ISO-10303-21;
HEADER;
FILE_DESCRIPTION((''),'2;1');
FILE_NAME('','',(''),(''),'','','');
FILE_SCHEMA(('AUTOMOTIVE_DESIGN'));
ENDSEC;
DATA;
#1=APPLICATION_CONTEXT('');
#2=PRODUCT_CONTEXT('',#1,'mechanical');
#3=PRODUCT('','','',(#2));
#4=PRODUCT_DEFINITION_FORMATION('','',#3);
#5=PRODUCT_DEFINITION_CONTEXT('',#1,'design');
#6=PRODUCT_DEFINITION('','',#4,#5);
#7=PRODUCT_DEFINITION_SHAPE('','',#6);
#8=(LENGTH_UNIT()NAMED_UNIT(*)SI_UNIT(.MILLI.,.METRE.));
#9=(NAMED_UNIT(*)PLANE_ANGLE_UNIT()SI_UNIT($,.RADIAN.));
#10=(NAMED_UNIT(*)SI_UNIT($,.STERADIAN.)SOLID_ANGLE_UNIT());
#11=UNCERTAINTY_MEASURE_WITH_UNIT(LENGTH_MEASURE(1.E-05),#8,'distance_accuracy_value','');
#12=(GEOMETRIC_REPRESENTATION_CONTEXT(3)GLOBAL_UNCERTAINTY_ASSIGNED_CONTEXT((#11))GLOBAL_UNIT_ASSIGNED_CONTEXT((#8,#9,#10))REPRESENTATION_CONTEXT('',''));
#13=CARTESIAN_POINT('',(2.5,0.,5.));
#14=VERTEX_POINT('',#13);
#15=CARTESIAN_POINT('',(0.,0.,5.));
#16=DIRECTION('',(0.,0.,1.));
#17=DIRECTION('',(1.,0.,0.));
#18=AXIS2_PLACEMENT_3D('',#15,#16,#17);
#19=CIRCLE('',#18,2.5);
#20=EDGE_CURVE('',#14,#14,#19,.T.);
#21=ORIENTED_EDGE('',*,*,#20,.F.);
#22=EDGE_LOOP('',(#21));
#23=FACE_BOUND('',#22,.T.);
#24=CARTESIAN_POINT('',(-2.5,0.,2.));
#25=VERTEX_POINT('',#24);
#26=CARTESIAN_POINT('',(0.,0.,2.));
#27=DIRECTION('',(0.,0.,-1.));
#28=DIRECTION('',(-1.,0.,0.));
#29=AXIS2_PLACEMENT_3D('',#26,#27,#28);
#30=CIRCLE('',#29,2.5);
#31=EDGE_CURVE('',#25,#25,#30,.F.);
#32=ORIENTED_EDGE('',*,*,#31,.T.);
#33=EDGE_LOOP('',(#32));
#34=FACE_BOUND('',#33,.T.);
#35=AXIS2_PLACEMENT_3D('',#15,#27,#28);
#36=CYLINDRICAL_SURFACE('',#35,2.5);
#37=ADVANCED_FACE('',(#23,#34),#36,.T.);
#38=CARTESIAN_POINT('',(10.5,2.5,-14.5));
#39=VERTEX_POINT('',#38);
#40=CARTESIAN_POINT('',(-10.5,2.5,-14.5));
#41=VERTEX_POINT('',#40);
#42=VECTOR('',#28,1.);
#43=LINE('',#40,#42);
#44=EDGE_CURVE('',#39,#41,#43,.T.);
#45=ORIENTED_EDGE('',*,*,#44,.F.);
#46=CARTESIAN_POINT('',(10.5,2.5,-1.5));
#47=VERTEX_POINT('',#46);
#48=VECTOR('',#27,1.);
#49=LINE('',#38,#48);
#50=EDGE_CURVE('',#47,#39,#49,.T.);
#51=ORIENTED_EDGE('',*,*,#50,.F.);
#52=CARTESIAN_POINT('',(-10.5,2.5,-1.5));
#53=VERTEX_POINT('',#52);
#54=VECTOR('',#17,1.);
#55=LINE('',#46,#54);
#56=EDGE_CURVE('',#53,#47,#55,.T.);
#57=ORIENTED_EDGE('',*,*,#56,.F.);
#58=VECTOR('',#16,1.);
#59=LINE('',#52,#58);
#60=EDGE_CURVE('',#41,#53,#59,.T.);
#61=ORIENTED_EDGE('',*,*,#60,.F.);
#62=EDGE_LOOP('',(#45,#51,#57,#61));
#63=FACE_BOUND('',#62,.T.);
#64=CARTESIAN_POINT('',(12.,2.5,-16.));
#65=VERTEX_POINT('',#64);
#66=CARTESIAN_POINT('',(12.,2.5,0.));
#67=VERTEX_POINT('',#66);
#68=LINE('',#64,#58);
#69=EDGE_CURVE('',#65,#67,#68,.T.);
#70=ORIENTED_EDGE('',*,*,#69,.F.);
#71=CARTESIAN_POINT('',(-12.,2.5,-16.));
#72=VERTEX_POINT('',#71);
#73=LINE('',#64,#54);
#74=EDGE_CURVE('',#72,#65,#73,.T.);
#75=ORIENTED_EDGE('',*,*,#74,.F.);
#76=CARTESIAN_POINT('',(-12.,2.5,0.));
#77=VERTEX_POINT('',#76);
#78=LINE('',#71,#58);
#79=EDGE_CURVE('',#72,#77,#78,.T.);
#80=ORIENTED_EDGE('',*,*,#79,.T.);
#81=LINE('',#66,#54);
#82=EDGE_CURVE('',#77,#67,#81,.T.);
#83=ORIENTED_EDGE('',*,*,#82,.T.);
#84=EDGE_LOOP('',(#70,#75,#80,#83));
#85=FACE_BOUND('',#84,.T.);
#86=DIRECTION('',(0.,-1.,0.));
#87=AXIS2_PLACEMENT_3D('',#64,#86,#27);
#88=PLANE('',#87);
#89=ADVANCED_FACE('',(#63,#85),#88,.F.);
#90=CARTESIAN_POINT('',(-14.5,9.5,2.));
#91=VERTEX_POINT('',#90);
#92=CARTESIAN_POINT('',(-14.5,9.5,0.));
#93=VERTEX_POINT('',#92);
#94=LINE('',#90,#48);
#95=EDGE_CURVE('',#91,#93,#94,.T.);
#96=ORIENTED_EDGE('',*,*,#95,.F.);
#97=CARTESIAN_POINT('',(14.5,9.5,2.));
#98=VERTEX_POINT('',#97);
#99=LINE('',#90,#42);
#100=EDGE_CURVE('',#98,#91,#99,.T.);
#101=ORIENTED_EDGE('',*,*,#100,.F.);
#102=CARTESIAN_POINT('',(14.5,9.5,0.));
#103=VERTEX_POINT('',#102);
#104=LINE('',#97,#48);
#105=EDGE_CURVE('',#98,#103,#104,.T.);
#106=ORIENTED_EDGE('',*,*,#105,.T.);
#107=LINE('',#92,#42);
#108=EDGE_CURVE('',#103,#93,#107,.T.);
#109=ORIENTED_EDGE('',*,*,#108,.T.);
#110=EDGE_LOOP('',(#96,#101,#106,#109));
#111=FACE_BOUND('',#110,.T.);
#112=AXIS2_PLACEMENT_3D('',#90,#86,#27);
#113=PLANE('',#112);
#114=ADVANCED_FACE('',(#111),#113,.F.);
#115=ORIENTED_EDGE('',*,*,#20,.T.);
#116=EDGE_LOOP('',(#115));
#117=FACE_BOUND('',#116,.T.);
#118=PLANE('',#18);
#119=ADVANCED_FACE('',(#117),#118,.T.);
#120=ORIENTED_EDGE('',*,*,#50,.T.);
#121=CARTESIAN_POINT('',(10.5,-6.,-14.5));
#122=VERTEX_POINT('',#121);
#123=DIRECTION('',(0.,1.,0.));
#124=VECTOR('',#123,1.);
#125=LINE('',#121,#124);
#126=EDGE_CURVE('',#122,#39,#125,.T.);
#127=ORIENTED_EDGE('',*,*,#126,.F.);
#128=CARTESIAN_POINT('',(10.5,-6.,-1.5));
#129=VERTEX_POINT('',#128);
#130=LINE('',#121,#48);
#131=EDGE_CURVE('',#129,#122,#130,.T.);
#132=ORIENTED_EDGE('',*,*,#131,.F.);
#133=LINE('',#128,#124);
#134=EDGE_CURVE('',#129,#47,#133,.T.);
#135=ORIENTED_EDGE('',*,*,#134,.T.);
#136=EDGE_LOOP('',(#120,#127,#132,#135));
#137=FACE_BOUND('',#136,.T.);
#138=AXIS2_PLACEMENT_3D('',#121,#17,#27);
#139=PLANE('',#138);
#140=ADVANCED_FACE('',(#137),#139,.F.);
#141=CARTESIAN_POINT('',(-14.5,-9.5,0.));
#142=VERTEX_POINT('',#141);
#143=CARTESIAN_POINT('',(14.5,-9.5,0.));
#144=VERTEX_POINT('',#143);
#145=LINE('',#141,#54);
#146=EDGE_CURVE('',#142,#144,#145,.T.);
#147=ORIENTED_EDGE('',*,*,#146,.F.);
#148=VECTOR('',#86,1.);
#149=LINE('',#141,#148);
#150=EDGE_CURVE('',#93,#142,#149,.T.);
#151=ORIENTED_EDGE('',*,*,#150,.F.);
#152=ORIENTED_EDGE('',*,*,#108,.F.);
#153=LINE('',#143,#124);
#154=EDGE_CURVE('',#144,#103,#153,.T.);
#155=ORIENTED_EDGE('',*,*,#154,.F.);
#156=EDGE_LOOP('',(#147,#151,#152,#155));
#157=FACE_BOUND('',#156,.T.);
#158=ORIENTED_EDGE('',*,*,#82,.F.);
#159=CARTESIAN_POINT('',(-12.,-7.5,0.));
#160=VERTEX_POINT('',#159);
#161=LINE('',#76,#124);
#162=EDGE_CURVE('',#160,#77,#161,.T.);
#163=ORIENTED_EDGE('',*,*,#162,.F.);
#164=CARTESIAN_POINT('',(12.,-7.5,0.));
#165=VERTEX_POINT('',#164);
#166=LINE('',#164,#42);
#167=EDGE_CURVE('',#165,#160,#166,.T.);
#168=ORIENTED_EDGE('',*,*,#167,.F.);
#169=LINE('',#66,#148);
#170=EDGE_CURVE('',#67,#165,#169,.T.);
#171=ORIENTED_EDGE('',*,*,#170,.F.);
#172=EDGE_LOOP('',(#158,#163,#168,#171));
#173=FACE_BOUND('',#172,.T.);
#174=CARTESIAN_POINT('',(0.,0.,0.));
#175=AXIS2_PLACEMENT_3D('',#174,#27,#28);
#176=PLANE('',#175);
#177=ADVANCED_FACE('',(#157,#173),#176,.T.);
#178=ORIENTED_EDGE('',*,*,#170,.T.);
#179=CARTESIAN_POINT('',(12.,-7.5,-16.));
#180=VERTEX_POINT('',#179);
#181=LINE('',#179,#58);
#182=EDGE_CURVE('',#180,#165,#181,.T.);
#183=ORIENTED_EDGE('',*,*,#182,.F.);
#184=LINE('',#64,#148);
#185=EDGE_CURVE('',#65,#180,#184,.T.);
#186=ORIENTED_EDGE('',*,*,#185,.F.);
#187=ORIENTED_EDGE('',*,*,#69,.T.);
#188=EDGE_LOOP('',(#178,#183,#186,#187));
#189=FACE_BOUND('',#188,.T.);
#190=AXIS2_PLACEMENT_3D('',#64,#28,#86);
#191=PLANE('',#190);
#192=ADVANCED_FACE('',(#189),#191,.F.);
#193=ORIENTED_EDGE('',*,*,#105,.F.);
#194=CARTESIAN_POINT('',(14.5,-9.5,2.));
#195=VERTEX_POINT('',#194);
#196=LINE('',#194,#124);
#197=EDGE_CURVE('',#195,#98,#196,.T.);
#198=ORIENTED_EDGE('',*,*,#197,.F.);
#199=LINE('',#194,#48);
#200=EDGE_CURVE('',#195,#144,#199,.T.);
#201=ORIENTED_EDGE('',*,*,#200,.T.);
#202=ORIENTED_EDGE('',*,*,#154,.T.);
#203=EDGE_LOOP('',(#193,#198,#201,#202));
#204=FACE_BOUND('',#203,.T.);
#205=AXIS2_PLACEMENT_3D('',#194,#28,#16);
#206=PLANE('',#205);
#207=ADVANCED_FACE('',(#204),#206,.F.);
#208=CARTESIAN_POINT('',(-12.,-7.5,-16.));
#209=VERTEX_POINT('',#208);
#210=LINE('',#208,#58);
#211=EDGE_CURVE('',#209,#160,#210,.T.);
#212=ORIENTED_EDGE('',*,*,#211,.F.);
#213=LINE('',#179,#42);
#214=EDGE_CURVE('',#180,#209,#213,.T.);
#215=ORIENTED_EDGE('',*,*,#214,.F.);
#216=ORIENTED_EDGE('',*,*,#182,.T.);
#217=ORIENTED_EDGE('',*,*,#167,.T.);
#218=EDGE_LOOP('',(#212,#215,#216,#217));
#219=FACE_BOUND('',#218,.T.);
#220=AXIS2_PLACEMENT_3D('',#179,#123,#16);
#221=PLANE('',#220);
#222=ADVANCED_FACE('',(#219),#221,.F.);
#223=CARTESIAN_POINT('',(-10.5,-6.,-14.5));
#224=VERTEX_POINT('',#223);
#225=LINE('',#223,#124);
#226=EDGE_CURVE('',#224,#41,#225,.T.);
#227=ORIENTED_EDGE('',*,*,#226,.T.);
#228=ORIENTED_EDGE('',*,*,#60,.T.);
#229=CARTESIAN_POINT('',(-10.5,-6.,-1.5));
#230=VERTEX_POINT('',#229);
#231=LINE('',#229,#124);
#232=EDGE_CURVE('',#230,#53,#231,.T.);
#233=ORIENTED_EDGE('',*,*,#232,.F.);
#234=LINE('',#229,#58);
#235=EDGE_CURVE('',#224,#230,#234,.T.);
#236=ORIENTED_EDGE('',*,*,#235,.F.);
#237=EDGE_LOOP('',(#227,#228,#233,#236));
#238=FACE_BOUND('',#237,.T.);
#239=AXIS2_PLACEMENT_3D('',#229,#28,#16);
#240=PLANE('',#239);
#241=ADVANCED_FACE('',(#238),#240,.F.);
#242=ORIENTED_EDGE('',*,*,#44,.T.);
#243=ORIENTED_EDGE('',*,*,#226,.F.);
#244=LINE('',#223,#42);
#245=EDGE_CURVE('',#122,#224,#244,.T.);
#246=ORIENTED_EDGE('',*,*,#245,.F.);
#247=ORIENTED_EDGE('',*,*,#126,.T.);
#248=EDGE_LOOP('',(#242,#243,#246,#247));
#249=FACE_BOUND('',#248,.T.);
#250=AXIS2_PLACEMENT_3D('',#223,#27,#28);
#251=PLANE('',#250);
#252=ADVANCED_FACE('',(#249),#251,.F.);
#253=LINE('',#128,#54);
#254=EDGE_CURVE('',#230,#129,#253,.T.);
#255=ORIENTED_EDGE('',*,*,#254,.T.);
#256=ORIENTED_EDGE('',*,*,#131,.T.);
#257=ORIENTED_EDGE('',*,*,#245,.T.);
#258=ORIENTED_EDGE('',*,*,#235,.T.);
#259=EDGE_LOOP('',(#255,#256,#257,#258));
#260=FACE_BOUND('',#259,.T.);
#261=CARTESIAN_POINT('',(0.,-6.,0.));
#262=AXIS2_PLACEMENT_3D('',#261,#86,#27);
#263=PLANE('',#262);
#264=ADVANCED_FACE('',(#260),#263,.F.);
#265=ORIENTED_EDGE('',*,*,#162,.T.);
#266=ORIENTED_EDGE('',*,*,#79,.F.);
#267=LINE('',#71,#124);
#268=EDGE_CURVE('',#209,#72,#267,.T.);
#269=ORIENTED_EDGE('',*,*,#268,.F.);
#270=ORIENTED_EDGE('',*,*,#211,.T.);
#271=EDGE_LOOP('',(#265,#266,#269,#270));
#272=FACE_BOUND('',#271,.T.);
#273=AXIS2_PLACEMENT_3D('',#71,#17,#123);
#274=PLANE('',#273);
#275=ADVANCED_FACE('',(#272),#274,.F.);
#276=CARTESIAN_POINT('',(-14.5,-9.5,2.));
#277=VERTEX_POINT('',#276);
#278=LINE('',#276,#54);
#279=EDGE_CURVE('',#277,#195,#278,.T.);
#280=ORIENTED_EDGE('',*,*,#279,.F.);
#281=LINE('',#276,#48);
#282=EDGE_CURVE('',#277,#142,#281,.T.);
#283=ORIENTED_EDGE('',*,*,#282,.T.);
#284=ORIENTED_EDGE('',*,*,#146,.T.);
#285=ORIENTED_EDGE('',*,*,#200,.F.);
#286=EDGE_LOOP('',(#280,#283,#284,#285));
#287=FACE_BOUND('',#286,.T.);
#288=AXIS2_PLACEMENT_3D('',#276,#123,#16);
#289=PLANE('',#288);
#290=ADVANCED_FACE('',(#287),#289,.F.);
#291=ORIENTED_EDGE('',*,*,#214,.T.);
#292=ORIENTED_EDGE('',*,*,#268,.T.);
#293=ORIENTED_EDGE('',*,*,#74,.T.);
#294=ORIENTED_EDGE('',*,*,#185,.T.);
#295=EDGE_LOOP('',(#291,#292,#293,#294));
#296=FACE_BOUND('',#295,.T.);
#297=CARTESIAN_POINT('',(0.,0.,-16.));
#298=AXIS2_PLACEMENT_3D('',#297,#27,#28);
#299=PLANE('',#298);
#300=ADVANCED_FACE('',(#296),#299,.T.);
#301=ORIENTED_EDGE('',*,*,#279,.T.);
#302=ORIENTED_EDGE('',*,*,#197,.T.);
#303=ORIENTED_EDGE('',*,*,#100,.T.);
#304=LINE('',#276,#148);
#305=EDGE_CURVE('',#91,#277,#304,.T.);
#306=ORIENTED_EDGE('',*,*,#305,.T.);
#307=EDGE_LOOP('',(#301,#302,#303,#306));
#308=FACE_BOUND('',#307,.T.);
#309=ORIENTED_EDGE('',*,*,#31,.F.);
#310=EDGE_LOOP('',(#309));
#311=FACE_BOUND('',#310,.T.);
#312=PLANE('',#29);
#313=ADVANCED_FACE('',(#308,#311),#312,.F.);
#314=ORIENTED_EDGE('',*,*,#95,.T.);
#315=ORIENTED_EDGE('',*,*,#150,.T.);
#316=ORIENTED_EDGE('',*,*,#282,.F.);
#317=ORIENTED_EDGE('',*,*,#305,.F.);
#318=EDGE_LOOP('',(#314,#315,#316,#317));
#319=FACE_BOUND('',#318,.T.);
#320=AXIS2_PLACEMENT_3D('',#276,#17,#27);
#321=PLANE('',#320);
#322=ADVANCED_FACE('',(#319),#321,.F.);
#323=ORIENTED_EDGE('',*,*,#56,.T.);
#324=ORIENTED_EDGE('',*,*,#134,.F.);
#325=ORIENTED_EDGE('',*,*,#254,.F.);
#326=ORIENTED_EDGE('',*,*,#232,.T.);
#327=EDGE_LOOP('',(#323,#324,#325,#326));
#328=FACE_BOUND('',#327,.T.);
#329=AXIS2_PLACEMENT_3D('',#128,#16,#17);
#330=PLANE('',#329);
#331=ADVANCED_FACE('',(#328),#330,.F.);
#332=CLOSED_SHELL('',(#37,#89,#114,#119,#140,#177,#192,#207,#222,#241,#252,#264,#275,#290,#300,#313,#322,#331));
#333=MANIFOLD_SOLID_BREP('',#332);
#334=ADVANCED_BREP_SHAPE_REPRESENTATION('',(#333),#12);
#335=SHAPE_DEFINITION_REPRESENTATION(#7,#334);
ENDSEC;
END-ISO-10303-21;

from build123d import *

# Parameters (mm, degrees)
SKETCH_2_W          = 29
SKETCH_2_H          = 19
EXTRUDE_1_DEPTH     = 2
SKETCH_3_W          = 24
SKETCH_3_H          = 10
EXTRUDE_2_DEPTH     = 16
SKETCH_4_W          = 21
SKETCH_4_H          = 13
CUT_EXTRUDE_1_DEPTH = 8.5
SKETCH_5_R          = 2.5
EXTRUDE_3_DEPTH     = 3


with BuildPart() as part:
    # 草图2 → 凸台-拉伸1 (new body)
    with BuildSketch(Plane.XY):
        Rectangle(SKETCH_2_W, SKETCH_2_H)
    extrude(amount=EXTRUDE_1_DEPTH)

    # 草图3 → 凸台-拉伸2 (add)
    with BuildSketch(Plane(origin=(0, 0, 0), x_dir=(-1, 0, 0), z_dir=(0, 0, -1))):
        with Locations((0, -2.5)):
            Rectangle(SKETCH_3_W, SKETCH_3_H)
    extrude(amount=EXTRUDE_2_DEPTH)

    # 草图4 → 切除-拉伸1 (cut)
    with BuildSketch(Plane(origin=(0, 2.5, 0), x_dir=(1, 0, 0), z_dir=(0, 1, 0))):
        with Locations((0, 8)):
            Rectangle(SKETCH_4_W, SKETCH_4_H)
    extrude(amount=-CUT_EXTRUDE_1_DEPTH, mode=Mode.SUBTRACT)

    # 草图5 → 凸台-拉伸3 (add)
    with BuildSketch(Plane.XY.offset(2)):
        with Locations(Location((0, 0, 0), (0, 0, 180))):
            Circle(SKETCH_5_R)
    extrude(amount=EXTRUDE_3_DEPTH)


solid = part.part
